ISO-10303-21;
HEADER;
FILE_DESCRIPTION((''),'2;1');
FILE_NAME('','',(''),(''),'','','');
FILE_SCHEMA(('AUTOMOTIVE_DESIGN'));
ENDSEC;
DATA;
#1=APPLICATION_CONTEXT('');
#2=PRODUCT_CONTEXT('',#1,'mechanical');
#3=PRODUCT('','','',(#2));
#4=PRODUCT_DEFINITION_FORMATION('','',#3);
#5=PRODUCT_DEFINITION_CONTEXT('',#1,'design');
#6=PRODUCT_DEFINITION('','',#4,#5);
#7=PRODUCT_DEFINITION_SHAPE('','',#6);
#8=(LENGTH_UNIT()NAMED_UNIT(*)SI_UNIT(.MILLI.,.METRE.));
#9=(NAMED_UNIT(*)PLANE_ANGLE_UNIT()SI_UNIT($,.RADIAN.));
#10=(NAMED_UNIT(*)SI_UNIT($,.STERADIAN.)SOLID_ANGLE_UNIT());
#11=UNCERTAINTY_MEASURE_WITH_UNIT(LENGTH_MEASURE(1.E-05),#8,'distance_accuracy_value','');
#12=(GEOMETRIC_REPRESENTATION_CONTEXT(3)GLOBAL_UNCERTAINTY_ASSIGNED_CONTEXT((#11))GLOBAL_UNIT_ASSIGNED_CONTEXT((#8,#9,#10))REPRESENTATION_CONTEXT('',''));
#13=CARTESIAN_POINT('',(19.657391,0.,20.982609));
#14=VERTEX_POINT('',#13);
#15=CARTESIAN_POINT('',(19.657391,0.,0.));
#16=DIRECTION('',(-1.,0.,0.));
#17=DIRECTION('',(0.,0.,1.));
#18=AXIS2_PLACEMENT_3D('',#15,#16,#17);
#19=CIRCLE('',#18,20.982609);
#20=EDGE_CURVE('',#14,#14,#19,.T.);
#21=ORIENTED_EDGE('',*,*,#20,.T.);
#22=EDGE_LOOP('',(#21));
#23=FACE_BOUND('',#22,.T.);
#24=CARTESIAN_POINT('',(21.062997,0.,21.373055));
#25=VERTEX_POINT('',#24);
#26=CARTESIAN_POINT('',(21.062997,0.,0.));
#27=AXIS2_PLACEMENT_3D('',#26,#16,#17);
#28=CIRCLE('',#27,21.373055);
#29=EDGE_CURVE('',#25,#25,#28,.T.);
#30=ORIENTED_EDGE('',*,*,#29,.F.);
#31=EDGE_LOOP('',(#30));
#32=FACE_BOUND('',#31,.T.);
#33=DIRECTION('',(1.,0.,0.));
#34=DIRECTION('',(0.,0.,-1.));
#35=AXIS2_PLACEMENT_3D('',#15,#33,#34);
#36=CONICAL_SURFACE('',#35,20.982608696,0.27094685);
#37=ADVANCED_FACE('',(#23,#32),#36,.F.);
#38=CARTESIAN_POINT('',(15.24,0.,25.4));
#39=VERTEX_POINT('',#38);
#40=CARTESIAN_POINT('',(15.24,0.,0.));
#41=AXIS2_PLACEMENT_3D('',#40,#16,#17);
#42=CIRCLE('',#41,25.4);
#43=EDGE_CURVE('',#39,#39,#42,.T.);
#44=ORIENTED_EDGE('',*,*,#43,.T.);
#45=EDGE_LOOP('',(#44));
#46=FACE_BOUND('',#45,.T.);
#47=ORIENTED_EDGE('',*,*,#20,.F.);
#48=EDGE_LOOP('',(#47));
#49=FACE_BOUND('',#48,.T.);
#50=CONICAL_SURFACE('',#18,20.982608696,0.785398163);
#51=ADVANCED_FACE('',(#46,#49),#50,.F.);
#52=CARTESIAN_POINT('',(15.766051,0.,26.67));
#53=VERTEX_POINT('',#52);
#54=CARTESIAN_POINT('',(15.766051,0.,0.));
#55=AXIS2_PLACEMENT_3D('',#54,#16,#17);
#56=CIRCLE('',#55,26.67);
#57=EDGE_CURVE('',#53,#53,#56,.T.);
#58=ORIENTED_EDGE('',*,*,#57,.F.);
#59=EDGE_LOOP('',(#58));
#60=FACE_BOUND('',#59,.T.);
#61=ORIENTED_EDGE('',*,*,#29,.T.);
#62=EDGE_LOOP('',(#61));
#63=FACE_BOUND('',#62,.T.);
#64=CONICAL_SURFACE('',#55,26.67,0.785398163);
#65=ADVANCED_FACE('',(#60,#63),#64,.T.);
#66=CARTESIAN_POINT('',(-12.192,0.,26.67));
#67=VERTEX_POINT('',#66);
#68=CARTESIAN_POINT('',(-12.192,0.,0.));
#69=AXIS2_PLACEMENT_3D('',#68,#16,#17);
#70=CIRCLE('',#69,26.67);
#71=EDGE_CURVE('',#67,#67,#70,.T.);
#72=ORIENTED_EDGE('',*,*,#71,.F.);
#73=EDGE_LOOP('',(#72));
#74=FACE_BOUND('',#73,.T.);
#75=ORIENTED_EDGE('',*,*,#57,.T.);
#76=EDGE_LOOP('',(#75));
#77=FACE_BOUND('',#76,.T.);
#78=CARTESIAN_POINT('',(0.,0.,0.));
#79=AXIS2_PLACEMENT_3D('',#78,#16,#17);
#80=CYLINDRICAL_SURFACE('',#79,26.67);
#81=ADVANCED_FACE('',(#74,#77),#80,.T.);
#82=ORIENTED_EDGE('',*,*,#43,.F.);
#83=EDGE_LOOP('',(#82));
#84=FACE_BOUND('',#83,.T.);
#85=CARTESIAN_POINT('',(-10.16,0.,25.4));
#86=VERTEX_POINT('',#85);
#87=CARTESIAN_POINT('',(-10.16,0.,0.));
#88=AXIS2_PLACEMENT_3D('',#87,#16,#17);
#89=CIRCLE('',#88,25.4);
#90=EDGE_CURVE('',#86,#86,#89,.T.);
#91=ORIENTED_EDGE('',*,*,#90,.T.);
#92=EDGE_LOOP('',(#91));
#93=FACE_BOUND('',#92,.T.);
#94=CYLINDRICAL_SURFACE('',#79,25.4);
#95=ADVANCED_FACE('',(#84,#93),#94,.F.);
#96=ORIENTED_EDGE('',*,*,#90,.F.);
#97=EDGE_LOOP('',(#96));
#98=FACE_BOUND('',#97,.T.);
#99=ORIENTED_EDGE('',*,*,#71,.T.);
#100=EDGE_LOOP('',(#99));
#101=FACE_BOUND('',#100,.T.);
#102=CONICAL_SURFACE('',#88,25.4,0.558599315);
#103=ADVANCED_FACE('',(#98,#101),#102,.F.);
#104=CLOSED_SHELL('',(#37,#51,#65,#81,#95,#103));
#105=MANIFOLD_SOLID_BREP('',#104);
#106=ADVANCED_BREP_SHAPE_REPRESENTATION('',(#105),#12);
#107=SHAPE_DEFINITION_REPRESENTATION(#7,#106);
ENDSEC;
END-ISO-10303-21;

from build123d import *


with BuildPart() as part:
    # Sketch2 → Revolve2 (revolve)
    with BuildSketch(Plane.XY, mode=Mode.PRIVATE) as revolve2_sk:
        Polygon((-12.192, 26.67), (-10.16, 25.4), (15.24, 25.4), (19.657391304, 20.982608696), (21.06299661, 21.373054614), (15.766051224, 26.67), align=None)
    revolve(revolve2_sk.sketch.rotate(Axis((0, 0, 0), (1, 0, 0)), 90), axis=Axis((0, 0, 0), (1, 0, 0)))


solid = part.part
